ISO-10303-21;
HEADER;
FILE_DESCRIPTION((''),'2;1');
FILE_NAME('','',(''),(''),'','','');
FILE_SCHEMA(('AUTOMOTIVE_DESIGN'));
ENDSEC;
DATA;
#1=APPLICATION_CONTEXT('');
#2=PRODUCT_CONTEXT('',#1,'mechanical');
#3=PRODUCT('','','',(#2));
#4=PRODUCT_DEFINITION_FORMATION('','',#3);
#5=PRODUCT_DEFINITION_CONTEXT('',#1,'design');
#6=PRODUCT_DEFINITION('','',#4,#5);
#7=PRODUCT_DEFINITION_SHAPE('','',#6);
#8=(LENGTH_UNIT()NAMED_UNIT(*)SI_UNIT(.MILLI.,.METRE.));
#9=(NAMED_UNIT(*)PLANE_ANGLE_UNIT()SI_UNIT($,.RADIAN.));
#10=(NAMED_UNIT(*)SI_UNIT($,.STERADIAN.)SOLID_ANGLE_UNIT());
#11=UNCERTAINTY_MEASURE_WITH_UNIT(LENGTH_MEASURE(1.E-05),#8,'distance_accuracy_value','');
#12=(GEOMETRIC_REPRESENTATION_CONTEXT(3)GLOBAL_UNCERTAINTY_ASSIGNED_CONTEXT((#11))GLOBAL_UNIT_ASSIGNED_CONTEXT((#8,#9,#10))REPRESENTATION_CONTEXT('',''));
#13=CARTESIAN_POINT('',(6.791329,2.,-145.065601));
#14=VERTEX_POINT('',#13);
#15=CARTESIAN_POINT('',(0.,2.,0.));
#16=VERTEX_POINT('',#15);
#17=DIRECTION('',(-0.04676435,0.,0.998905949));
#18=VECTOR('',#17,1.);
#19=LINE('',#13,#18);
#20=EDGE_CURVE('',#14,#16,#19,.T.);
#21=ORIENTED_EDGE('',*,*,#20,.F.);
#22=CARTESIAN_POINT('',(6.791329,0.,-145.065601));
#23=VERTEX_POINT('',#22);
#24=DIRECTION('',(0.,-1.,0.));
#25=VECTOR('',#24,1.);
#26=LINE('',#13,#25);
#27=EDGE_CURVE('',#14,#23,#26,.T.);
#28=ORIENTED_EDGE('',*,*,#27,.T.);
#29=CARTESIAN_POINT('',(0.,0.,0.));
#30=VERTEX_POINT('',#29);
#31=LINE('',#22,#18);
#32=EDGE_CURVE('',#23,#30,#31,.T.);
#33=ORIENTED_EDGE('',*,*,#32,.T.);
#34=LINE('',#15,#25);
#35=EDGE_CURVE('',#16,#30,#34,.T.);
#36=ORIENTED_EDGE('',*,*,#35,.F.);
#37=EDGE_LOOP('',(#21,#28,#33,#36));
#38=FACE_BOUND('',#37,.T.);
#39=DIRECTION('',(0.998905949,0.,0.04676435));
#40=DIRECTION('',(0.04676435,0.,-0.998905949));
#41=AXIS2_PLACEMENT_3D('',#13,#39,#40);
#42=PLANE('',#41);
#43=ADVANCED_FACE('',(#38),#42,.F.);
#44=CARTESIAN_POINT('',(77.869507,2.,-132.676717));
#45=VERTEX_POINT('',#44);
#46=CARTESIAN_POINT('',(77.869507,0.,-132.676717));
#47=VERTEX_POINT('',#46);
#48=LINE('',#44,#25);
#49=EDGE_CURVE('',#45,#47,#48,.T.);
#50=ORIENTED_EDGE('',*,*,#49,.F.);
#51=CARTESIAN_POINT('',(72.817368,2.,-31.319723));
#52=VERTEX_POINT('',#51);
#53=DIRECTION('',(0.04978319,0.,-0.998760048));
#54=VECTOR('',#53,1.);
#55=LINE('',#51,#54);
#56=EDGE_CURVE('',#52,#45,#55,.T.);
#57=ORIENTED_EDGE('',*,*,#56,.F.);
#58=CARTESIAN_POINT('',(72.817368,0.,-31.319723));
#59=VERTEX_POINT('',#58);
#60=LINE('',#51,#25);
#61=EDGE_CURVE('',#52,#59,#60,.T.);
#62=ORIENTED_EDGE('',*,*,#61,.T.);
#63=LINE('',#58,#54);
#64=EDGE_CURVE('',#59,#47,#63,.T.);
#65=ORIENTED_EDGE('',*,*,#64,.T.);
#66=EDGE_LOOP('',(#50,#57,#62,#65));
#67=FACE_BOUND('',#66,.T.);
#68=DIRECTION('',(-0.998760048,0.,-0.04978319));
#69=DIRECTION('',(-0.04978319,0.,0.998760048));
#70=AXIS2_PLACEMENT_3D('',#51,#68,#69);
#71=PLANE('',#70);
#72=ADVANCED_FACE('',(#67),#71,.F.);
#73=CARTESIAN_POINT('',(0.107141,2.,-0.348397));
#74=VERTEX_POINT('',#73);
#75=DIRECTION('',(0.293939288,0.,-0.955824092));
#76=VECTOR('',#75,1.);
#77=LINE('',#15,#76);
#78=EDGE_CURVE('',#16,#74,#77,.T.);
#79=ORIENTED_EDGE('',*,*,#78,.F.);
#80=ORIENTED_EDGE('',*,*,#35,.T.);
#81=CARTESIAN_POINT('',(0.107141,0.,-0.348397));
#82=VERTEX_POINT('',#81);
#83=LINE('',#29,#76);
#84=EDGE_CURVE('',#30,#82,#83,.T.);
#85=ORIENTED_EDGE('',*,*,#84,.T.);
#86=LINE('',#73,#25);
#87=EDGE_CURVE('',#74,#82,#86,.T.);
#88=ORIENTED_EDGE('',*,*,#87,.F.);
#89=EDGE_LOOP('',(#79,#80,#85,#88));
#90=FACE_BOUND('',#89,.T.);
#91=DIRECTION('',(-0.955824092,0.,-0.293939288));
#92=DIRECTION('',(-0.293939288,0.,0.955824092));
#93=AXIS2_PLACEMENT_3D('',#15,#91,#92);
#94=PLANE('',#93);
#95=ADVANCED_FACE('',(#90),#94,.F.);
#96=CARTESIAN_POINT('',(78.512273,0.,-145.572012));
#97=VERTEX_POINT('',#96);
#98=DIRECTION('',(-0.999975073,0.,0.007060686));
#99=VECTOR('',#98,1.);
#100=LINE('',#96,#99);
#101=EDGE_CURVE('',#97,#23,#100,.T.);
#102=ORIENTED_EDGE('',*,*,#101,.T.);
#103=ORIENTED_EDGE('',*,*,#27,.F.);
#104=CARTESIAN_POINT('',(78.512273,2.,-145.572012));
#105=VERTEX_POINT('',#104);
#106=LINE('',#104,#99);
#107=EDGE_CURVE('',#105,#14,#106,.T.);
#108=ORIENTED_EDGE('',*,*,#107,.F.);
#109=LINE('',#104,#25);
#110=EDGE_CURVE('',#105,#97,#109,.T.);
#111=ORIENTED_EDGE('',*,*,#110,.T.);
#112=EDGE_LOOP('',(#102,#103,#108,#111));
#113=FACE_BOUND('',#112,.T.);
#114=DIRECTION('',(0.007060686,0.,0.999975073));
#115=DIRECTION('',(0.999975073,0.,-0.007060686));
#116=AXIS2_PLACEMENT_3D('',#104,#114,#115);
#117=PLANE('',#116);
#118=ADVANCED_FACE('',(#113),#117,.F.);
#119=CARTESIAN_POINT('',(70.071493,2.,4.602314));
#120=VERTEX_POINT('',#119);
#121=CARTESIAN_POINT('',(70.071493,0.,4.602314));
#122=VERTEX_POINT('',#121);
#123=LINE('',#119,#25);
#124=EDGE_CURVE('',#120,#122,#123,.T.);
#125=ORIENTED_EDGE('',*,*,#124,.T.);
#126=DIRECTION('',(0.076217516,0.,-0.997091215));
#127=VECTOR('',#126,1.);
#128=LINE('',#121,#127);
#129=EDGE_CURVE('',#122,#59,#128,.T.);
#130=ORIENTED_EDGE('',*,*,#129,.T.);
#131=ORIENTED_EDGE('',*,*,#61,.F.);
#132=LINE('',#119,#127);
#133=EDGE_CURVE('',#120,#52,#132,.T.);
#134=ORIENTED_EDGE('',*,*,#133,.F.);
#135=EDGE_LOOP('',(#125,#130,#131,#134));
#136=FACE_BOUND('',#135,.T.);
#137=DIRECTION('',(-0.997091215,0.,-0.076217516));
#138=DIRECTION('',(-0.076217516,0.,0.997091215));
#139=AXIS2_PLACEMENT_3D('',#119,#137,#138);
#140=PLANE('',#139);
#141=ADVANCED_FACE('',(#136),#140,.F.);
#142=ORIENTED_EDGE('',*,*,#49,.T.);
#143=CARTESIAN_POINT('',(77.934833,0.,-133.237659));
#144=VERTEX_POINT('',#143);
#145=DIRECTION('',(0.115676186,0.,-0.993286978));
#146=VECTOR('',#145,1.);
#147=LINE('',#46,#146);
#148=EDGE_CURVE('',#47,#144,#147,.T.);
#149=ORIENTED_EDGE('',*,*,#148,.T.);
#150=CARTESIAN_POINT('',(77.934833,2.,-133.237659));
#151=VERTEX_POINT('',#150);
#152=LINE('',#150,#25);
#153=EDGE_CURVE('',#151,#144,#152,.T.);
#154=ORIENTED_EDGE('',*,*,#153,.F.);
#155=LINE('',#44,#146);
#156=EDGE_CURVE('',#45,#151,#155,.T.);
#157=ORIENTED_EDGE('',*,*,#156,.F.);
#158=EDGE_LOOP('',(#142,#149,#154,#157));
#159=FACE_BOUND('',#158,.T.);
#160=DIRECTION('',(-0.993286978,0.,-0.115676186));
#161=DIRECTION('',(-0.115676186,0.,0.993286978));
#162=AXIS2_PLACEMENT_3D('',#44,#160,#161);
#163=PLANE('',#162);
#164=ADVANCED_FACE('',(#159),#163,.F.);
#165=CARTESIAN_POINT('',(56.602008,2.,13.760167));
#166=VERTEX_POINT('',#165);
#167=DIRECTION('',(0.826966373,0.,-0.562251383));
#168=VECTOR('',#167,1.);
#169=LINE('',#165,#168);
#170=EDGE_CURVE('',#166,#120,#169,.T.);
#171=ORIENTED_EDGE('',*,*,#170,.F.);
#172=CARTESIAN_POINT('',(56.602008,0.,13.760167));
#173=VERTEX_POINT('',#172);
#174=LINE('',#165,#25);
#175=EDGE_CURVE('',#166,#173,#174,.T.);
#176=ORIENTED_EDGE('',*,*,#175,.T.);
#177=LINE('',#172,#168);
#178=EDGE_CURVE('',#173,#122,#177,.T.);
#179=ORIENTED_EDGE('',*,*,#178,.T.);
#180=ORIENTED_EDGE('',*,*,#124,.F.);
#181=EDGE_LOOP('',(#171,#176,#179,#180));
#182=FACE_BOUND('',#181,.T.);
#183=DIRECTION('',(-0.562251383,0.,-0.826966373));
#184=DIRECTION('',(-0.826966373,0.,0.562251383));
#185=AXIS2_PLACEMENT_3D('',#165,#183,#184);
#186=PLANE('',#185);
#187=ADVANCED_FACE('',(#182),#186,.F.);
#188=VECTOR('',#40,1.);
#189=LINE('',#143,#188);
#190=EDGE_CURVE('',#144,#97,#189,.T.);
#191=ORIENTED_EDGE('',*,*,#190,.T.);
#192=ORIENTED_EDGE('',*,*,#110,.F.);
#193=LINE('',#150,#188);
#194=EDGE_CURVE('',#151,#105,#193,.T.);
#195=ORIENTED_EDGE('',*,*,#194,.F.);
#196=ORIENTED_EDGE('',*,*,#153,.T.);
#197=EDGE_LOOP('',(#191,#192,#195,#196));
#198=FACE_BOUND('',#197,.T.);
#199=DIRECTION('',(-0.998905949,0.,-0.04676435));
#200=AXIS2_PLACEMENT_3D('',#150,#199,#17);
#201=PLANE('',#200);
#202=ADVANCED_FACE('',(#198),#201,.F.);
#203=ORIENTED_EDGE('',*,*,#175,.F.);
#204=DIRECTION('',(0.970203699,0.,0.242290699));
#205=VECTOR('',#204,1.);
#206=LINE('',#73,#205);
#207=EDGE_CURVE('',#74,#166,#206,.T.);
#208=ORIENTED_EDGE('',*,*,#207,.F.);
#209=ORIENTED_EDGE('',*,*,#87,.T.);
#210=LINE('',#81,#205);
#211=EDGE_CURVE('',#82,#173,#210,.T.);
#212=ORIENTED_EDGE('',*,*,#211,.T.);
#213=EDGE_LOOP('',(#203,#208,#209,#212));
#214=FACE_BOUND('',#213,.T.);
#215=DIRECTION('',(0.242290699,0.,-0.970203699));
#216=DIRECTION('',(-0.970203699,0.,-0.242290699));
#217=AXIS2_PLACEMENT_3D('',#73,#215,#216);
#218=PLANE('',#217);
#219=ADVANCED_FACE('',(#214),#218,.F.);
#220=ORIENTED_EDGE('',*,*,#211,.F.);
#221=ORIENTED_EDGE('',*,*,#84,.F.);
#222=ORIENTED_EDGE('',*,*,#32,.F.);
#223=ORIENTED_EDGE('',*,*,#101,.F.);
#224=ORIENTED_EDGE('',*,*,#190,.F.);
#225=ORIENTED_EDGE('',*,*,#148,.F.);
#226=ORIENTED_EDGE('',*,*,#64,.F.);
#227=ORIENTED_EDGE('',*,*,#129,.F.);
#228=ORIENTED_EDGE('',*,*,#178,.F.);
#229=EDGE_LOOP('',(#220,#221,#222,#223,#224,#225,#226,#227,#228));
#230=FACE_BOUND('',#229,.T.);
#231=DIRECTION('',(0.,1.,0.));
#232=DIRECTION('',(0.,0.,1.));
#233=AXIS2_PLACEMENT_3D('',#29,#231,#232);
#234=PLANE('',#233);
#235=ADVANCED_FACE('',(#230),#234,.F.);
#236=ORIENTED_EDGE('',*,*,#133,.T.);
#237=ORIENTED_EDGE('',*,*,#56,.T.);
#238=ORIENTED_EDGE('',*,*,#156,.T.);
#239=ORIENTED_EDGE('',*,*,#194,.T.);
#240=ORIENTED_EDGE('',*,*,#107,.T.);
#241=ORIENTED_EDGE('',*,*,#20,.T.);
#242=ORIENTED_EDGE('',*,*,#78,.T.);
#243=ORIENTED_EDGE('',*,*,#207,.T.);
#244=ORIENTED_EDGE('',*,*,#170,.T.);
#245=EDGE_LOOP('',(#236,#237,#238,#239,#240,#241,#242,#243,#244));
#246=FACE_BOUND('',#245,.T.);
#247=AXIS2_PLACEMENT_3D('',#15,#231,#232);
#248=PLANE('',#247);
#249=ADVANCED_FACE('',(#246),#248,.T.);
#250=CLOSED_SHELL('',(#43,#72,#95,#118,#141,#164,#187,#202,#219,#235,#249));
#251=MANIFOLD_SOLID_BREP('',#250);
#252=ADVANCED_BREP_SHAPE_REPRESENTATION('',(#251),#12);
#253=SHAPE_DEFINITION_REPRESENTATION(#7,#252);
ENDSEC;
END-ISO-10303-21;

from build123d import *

# Parameters (mm, degrees)
BOSS_EXTRU_1_DEPTH = 2


with BuildPart() as part:
    # Esquisse1 → Boss.-Extru.1 (new body)
    with BuildSketch(Plane(origin=(0, 0, 0), x_dir=(1, 0, 0), z_dir=(0, 1, 0))):
        Polygon((6.791328515, 145.065600746), (0, 0), (0.107140545, 0.348396823), (56.602007535, -13.760167019), (70.071492633, -4.602313851), (72.817368262, 31.319723445), (77.869507186, 132.676717249), (77.934833377, 133.237659453), (78.512273118, 145.572012404), align=None)
    extrude(amount=BOSS_EXTRU_1_DEPTH)


solid = part.part
